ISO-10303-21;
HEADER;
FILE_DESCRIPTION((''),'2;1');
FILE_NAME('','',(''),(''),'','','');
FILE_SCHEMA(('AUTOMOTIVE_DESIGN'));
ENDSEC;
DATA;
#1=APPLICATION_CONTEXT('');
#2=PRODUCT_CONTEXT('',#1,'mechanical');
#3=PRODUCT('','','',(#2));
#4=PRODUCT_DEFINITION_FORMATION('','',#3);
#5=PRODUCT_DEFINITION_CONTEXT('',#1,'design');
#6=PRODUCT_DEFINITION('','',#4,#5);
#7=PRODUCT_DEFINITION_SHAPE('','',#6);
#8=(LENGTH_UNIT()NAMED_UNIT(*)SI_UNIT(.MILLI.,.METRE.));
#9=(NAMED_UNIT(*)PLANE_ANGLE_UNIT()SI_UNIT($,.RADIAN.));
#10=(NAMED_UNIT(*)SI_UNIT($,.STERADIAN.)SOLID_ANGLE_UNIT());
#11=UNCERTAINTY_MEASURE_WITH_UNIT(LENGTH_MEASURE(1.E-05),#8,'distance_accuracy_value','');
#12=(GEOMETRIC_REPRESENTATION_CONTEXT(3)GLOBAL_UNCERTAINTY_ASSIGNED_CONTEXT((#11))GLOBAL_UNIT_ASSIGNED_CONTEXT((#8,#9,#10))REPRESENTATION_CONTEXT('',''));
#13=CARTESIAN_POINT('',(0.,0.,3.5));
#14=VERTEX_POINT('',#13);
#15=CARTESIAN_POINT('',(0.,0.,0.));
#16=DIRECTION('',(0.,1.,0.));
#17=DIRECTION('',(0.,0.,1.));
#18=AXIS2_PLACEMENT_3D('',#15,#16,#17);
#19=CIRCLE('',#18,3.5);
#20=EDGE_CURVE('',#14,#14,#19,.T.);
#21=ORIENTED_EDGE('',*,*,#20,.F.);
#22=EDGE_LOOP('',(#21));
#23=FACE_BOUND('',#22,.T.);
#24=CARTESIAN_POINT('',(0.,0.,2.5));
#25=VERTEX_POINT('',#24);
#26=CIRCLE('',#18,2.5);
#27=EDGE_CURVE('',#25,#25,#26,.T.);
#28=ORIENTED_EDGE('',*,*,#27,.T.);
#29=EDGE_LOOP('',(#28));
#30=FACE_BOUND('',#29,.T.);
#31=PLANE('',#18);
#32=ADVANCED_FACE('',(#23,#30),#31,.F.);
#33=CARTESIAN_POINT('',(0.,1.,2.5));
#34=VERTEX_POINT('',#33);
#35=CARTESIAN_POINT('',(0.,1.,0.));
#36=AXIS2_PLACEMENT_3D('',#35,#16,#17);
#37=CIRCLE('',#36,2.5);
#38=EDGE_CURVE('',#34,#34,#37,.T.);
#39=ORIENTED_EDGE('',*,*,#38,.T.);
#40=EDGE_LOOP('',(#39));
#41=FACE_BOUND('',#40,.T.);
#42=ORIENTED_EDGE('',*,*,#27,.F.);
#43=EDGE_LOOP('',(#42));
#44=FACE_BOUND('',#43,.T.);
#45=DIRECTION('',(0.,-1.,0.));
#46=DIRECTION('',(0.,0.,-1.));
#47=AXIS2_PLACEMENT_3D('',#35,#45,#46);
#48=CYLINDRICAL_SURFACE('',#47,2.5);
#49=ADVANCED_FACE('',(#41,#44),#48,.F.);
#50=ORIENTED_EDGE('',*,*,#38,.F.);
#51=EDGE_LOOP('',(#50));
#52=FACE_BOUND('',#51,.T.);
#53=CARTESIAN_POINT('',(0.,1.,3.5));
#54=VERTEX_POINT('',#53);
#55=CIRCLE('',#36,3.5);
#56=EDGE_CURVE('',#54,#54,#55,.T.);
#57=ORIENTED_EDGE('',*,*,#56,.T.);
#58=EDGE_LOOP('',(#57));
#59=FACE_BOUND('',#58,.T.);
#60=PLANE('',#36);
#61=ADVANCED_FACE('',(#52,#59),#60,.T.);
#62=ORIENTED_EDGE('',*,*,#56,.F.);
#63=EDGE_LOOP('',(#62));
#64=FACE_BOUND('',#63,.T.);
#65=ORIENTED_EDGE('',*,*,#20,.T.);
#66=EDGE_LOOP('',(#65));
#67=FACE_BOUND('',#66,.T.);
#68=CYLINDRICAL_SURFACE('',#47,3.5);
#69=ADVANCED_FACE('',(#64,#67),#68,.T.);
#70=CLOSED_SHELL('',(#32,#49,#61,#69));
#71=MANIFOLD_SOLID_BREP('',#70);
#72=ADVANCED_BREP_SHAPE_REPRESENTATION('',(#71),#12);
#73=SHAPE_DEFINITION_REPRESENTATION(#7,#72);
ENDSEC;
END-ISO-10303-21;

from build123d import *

# Parameters (mm, degrees)
SKETCH1_R           = 3.5
SKETCH1_R_2         = 2.5
BOSS_EXTRUDE1_DEPTH = 1


with BuildPart() as part:
    # Sketch1 → Boss-Extrude1 (new body)
    with BuildSketch(Plane(origin=(0, 0, 0), x_dir=(1, 0, 0), z_dir=(0, 1, 0))):
        with Locations(Location((0, 0, 0), (0, 0, 270))):
            Circle(SKETCH1_R)
        with Locations(Location((0, 0, 0), (0, 0, 270))):
            Circle(SKETCH1_R_2, mode=Mode.SUBTRACT)
    extrude(amount=BOSS_EXTRUDE1_DEPTH)


solid = part.part
